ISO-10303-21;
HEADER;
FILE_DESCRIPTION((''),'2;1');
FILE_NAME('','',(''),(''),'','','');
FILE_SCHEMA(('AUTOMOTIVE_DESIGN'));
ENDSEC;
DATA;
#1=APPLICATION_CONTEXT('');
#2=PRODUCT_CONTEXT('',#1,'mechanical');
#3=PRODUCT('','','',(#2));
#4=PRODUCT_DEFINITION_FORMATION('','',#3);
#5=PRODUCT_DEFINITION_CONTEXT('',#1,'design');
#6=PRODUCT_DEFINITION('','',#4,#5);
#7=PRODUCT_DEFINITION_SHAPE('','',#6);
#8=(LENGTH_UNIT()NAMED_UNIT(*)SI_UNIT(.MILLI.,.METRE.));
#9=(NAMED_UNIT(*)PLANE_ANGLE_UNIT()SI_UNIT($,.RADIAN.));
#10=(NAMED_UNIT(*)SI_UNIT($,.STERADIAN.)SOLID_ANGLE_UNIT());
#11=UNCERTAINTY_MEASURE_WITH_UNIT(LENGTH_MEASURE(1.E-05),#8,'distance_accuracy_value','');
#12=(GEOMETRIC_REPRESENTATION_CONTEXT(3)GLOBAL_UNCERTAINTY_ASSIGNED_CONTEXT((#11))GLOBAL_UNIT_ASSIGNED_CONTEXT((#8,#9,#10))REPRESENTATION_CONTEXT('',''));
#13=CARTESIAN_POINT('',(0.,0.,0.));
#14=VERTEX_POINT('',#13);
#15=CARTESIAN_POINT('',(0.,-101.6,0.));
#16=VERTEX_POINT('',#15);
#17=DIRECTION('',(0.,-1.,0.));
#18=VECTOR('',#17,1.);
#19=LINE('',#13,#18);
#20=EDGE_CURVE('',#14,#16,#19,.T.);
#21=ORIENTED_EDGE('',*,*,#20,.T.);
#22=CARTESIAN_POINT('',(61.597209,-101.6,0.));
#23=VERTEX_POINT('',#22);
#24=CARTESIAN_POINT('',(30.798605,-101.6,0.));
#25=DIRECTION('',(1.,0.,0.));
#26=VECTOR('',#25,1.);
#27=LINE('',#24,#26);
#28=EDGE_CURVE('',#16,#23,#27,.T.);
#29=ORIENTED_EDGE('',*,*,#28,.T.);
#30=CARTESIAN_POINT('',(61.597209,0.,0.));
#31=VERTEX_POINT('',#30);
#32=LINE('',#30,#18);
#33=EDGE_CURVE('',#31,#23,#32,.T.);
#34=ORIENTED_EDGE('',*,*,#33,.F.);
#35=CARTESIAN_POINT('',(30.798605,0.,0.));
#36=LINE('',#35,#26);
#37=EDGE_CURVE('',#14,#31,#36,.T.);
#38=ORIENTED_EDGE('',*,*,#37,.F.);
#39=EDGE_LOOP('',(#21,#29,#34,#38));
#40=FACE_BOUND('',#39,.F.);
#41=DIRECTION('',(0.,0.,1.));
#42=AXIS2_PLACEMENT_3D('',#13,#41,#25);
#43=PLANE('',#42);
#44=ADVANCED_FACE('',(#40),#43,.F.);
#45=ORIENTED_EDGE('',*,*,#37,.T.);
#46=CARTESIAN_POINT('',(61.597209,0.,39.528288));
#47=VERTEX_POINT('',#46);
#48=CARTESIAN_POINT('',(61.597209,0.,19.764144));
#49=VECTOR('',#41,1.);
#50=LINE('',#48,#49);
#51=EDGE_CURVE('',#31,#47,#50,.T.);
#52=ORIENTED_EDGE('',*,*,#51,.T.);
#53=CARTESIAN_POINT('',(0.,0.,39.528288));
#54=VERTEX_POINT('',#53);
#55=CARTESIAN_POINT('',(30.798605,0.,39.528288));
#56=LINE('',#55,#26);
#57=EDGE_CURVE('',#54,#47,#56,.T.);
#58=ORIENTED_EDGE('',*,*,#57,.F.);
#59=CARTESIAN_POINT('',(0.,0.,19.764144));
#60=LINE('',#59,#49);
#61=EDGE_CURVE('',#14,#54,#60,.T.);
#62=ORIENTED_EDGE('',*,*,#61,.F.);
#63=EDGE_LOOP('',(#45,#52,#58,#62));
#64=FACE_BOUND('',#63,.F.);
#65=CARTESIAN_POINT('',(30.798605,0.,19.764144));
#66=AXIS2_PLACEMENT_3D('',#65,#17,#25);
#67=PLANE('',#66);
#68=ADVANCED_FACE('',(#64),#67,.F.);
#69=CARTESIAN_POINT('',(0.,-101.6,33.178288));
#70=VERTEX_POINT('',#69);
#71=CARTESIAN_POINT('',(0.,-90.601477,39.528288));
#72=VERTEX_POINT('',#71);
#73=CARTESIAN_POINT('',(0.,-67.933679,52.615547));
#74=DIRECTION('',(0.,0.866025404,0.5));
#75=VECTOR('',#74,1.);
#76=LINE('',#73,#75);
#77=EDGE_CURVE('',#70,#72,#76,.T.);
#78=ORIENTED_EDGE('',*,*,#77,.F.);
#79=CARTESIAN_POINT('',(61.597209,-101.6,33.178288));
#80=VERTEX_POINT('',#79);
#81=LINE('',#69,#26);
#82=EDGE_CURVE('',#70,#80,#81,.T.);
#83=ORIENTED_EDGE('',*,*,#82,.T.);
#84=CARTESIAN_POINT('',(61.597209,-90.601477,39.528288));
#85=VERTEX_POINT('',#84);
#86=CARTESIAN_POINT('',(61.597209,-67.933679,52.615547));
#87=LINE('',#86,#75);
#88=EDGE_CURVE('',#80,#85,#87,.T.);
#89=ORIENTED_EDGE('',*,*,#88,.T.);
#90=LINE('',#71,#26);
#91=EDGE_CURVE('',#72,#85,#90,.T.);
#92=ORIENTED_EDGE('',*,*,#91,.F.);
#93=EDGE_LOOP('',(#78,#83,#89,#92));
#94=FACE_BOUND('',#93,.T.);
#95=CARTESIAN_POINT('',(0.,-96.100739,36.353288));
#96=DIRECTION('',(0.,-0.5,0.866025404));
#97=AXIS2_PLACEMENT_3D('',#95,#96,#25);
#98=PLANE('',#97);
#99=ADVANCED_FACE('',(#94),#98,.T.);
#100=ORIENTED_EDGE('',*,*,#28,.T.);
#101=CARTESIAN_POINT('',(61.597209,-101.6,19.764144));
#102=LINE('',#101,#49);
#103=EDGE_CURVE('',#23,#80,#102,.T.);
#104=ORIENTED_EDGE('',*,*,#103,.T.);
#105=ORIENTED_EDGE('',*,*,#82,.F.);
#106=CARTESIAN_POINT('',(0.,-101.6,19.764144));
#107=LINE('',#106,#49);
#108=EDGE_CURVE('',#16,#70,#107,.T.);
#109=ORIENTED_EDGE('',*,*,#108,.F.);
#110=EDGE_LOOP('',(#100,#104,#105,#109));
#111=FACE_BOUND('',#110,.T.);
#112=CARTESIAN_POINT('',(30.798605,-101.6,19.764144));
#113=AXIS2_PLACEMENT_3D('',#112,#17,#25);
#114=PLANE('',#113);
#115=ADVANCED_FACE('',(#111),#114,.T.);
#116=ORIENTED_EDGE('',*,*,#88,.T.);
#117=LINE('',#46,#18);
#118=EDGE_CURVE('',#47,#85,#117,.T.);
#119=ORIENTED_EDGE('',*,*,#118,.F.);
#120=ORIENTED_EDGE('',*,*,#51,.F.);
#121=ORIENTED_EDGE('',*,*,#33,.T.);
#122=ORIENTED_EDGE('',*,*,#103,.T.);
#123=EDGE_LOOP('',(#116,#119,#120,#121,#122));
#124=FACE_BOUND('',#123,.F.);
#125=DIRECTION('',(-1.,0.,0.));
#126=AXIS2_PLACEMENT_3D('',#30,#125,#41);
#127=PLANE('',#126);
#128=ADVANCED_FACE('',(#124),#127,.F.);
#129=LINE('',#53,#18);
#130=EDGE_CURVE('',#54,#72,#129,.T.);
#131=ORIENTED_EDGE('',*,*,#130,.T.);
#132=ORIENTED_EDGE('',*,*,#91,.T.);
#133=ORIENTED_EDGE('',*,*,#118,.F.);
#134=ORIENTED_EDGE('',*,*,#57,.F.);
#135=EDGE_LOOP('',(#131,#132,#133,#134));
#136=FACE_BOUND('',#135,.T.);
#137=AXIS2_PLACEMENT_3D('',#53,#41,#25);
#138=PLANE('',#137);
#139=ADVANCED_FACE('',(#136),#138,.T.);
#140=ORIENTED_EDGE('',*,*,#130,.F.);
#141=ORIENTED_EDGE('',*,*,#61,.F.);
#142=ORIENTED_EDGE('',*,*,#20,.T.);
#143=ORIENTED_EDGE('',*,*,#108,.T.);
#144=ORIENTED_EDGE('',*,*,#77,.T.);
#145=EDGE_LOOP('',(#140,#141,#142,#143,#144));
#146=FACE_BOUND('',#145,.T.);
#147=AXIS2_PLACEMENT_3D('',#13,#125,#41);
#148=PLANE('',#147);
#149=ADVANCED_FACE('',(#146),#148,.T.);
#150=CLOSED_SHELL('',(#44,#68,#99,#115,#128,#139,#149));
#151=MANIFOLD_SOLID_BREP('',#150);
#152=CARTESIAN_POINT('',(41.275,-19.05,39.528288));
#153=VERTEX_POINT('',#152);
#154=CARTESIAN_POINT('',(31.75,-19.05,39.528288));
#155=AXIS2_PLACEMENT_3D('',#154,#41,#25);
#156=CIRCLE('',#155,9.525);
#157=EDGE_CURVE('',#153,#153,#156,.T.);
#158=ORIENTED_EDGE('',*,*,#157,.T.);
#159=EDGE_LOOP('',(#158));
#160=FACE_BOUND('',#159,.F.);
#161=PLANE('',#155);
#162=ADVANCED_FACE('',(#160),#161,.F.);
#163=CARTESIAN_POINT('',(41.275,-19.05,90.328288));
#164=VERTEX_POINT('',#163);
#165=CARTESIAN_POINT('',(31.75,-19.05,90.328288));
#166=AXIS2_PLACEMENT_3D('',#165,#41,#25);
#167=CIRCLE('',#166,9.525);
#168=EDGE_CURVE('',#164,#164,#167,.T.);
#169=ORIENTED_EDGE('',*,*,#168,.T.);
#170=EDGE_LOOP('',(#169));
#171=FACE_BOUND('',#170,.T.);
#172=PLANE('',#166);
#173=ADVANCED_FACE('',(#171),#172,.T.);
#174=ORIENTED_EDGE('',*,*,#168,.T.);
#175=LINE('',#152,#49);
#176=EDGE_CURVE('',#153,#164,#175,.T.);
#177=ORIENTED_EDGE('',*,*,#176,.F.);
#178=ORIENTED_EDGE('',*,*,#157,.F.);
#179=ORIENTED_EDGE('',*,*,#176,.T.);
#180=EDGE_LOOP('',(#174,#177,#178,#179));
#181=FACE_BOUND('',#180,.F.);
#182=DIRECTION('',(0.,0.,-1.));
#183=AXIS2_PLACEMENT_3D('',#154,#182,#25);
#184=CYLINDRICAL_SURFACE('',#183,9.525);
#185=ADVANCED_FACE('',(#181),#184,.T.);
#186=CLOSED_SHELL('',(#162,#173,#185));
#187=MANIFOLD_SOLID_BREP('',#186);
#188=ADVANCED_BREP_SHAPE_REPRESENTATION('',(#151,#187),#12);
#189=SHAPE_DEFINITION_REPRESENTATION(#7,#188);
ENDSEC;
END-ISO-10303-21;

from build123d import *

# Parameters (mm, degrees)
F0_W     = 61.5972094238
F0_H     = 39.5282879472
F1_DEPTH = 101.6
F2_SIZE2 = 10.9985226281
F2_SIZE  = 6.35
F3_R     = 9.525
F4_DEPTH = 50.8


with BuildPart() as f1:
    # F0 (on Front) → F1 (new body)
    with BuildSketch(Plane.XZ):
        with Locations((30.7986047119, 19.7641439736)):
            Rectangle(F0_W, F0_H)
    extrude(amount=F1_DEPTH)

    # F2
    f2_edges = [f1.edges().sort_by_distance(p)[0] for p in [
        (30.798605, -101.6, 39.528288),
    ]]
    f2_side = f1.faces().sort_by_distance((30.798605, -101.6, 19.764144))[0]
    chamfer(f2_edges, length=F2_SIZE, length2=F2_SIZE2, reference=f2_side)


with BuildPart() as f4:
    # F3 (on face) → F4 (new body)
    with BuildSketch(Plane.XY.offset(39.5282879472)):
        with Locations((31.75, -19.05)):
            Circle(F3_R)
    extrude(amount=F4_DEPTH)


solid = Compound([f1.part, f4.part])
